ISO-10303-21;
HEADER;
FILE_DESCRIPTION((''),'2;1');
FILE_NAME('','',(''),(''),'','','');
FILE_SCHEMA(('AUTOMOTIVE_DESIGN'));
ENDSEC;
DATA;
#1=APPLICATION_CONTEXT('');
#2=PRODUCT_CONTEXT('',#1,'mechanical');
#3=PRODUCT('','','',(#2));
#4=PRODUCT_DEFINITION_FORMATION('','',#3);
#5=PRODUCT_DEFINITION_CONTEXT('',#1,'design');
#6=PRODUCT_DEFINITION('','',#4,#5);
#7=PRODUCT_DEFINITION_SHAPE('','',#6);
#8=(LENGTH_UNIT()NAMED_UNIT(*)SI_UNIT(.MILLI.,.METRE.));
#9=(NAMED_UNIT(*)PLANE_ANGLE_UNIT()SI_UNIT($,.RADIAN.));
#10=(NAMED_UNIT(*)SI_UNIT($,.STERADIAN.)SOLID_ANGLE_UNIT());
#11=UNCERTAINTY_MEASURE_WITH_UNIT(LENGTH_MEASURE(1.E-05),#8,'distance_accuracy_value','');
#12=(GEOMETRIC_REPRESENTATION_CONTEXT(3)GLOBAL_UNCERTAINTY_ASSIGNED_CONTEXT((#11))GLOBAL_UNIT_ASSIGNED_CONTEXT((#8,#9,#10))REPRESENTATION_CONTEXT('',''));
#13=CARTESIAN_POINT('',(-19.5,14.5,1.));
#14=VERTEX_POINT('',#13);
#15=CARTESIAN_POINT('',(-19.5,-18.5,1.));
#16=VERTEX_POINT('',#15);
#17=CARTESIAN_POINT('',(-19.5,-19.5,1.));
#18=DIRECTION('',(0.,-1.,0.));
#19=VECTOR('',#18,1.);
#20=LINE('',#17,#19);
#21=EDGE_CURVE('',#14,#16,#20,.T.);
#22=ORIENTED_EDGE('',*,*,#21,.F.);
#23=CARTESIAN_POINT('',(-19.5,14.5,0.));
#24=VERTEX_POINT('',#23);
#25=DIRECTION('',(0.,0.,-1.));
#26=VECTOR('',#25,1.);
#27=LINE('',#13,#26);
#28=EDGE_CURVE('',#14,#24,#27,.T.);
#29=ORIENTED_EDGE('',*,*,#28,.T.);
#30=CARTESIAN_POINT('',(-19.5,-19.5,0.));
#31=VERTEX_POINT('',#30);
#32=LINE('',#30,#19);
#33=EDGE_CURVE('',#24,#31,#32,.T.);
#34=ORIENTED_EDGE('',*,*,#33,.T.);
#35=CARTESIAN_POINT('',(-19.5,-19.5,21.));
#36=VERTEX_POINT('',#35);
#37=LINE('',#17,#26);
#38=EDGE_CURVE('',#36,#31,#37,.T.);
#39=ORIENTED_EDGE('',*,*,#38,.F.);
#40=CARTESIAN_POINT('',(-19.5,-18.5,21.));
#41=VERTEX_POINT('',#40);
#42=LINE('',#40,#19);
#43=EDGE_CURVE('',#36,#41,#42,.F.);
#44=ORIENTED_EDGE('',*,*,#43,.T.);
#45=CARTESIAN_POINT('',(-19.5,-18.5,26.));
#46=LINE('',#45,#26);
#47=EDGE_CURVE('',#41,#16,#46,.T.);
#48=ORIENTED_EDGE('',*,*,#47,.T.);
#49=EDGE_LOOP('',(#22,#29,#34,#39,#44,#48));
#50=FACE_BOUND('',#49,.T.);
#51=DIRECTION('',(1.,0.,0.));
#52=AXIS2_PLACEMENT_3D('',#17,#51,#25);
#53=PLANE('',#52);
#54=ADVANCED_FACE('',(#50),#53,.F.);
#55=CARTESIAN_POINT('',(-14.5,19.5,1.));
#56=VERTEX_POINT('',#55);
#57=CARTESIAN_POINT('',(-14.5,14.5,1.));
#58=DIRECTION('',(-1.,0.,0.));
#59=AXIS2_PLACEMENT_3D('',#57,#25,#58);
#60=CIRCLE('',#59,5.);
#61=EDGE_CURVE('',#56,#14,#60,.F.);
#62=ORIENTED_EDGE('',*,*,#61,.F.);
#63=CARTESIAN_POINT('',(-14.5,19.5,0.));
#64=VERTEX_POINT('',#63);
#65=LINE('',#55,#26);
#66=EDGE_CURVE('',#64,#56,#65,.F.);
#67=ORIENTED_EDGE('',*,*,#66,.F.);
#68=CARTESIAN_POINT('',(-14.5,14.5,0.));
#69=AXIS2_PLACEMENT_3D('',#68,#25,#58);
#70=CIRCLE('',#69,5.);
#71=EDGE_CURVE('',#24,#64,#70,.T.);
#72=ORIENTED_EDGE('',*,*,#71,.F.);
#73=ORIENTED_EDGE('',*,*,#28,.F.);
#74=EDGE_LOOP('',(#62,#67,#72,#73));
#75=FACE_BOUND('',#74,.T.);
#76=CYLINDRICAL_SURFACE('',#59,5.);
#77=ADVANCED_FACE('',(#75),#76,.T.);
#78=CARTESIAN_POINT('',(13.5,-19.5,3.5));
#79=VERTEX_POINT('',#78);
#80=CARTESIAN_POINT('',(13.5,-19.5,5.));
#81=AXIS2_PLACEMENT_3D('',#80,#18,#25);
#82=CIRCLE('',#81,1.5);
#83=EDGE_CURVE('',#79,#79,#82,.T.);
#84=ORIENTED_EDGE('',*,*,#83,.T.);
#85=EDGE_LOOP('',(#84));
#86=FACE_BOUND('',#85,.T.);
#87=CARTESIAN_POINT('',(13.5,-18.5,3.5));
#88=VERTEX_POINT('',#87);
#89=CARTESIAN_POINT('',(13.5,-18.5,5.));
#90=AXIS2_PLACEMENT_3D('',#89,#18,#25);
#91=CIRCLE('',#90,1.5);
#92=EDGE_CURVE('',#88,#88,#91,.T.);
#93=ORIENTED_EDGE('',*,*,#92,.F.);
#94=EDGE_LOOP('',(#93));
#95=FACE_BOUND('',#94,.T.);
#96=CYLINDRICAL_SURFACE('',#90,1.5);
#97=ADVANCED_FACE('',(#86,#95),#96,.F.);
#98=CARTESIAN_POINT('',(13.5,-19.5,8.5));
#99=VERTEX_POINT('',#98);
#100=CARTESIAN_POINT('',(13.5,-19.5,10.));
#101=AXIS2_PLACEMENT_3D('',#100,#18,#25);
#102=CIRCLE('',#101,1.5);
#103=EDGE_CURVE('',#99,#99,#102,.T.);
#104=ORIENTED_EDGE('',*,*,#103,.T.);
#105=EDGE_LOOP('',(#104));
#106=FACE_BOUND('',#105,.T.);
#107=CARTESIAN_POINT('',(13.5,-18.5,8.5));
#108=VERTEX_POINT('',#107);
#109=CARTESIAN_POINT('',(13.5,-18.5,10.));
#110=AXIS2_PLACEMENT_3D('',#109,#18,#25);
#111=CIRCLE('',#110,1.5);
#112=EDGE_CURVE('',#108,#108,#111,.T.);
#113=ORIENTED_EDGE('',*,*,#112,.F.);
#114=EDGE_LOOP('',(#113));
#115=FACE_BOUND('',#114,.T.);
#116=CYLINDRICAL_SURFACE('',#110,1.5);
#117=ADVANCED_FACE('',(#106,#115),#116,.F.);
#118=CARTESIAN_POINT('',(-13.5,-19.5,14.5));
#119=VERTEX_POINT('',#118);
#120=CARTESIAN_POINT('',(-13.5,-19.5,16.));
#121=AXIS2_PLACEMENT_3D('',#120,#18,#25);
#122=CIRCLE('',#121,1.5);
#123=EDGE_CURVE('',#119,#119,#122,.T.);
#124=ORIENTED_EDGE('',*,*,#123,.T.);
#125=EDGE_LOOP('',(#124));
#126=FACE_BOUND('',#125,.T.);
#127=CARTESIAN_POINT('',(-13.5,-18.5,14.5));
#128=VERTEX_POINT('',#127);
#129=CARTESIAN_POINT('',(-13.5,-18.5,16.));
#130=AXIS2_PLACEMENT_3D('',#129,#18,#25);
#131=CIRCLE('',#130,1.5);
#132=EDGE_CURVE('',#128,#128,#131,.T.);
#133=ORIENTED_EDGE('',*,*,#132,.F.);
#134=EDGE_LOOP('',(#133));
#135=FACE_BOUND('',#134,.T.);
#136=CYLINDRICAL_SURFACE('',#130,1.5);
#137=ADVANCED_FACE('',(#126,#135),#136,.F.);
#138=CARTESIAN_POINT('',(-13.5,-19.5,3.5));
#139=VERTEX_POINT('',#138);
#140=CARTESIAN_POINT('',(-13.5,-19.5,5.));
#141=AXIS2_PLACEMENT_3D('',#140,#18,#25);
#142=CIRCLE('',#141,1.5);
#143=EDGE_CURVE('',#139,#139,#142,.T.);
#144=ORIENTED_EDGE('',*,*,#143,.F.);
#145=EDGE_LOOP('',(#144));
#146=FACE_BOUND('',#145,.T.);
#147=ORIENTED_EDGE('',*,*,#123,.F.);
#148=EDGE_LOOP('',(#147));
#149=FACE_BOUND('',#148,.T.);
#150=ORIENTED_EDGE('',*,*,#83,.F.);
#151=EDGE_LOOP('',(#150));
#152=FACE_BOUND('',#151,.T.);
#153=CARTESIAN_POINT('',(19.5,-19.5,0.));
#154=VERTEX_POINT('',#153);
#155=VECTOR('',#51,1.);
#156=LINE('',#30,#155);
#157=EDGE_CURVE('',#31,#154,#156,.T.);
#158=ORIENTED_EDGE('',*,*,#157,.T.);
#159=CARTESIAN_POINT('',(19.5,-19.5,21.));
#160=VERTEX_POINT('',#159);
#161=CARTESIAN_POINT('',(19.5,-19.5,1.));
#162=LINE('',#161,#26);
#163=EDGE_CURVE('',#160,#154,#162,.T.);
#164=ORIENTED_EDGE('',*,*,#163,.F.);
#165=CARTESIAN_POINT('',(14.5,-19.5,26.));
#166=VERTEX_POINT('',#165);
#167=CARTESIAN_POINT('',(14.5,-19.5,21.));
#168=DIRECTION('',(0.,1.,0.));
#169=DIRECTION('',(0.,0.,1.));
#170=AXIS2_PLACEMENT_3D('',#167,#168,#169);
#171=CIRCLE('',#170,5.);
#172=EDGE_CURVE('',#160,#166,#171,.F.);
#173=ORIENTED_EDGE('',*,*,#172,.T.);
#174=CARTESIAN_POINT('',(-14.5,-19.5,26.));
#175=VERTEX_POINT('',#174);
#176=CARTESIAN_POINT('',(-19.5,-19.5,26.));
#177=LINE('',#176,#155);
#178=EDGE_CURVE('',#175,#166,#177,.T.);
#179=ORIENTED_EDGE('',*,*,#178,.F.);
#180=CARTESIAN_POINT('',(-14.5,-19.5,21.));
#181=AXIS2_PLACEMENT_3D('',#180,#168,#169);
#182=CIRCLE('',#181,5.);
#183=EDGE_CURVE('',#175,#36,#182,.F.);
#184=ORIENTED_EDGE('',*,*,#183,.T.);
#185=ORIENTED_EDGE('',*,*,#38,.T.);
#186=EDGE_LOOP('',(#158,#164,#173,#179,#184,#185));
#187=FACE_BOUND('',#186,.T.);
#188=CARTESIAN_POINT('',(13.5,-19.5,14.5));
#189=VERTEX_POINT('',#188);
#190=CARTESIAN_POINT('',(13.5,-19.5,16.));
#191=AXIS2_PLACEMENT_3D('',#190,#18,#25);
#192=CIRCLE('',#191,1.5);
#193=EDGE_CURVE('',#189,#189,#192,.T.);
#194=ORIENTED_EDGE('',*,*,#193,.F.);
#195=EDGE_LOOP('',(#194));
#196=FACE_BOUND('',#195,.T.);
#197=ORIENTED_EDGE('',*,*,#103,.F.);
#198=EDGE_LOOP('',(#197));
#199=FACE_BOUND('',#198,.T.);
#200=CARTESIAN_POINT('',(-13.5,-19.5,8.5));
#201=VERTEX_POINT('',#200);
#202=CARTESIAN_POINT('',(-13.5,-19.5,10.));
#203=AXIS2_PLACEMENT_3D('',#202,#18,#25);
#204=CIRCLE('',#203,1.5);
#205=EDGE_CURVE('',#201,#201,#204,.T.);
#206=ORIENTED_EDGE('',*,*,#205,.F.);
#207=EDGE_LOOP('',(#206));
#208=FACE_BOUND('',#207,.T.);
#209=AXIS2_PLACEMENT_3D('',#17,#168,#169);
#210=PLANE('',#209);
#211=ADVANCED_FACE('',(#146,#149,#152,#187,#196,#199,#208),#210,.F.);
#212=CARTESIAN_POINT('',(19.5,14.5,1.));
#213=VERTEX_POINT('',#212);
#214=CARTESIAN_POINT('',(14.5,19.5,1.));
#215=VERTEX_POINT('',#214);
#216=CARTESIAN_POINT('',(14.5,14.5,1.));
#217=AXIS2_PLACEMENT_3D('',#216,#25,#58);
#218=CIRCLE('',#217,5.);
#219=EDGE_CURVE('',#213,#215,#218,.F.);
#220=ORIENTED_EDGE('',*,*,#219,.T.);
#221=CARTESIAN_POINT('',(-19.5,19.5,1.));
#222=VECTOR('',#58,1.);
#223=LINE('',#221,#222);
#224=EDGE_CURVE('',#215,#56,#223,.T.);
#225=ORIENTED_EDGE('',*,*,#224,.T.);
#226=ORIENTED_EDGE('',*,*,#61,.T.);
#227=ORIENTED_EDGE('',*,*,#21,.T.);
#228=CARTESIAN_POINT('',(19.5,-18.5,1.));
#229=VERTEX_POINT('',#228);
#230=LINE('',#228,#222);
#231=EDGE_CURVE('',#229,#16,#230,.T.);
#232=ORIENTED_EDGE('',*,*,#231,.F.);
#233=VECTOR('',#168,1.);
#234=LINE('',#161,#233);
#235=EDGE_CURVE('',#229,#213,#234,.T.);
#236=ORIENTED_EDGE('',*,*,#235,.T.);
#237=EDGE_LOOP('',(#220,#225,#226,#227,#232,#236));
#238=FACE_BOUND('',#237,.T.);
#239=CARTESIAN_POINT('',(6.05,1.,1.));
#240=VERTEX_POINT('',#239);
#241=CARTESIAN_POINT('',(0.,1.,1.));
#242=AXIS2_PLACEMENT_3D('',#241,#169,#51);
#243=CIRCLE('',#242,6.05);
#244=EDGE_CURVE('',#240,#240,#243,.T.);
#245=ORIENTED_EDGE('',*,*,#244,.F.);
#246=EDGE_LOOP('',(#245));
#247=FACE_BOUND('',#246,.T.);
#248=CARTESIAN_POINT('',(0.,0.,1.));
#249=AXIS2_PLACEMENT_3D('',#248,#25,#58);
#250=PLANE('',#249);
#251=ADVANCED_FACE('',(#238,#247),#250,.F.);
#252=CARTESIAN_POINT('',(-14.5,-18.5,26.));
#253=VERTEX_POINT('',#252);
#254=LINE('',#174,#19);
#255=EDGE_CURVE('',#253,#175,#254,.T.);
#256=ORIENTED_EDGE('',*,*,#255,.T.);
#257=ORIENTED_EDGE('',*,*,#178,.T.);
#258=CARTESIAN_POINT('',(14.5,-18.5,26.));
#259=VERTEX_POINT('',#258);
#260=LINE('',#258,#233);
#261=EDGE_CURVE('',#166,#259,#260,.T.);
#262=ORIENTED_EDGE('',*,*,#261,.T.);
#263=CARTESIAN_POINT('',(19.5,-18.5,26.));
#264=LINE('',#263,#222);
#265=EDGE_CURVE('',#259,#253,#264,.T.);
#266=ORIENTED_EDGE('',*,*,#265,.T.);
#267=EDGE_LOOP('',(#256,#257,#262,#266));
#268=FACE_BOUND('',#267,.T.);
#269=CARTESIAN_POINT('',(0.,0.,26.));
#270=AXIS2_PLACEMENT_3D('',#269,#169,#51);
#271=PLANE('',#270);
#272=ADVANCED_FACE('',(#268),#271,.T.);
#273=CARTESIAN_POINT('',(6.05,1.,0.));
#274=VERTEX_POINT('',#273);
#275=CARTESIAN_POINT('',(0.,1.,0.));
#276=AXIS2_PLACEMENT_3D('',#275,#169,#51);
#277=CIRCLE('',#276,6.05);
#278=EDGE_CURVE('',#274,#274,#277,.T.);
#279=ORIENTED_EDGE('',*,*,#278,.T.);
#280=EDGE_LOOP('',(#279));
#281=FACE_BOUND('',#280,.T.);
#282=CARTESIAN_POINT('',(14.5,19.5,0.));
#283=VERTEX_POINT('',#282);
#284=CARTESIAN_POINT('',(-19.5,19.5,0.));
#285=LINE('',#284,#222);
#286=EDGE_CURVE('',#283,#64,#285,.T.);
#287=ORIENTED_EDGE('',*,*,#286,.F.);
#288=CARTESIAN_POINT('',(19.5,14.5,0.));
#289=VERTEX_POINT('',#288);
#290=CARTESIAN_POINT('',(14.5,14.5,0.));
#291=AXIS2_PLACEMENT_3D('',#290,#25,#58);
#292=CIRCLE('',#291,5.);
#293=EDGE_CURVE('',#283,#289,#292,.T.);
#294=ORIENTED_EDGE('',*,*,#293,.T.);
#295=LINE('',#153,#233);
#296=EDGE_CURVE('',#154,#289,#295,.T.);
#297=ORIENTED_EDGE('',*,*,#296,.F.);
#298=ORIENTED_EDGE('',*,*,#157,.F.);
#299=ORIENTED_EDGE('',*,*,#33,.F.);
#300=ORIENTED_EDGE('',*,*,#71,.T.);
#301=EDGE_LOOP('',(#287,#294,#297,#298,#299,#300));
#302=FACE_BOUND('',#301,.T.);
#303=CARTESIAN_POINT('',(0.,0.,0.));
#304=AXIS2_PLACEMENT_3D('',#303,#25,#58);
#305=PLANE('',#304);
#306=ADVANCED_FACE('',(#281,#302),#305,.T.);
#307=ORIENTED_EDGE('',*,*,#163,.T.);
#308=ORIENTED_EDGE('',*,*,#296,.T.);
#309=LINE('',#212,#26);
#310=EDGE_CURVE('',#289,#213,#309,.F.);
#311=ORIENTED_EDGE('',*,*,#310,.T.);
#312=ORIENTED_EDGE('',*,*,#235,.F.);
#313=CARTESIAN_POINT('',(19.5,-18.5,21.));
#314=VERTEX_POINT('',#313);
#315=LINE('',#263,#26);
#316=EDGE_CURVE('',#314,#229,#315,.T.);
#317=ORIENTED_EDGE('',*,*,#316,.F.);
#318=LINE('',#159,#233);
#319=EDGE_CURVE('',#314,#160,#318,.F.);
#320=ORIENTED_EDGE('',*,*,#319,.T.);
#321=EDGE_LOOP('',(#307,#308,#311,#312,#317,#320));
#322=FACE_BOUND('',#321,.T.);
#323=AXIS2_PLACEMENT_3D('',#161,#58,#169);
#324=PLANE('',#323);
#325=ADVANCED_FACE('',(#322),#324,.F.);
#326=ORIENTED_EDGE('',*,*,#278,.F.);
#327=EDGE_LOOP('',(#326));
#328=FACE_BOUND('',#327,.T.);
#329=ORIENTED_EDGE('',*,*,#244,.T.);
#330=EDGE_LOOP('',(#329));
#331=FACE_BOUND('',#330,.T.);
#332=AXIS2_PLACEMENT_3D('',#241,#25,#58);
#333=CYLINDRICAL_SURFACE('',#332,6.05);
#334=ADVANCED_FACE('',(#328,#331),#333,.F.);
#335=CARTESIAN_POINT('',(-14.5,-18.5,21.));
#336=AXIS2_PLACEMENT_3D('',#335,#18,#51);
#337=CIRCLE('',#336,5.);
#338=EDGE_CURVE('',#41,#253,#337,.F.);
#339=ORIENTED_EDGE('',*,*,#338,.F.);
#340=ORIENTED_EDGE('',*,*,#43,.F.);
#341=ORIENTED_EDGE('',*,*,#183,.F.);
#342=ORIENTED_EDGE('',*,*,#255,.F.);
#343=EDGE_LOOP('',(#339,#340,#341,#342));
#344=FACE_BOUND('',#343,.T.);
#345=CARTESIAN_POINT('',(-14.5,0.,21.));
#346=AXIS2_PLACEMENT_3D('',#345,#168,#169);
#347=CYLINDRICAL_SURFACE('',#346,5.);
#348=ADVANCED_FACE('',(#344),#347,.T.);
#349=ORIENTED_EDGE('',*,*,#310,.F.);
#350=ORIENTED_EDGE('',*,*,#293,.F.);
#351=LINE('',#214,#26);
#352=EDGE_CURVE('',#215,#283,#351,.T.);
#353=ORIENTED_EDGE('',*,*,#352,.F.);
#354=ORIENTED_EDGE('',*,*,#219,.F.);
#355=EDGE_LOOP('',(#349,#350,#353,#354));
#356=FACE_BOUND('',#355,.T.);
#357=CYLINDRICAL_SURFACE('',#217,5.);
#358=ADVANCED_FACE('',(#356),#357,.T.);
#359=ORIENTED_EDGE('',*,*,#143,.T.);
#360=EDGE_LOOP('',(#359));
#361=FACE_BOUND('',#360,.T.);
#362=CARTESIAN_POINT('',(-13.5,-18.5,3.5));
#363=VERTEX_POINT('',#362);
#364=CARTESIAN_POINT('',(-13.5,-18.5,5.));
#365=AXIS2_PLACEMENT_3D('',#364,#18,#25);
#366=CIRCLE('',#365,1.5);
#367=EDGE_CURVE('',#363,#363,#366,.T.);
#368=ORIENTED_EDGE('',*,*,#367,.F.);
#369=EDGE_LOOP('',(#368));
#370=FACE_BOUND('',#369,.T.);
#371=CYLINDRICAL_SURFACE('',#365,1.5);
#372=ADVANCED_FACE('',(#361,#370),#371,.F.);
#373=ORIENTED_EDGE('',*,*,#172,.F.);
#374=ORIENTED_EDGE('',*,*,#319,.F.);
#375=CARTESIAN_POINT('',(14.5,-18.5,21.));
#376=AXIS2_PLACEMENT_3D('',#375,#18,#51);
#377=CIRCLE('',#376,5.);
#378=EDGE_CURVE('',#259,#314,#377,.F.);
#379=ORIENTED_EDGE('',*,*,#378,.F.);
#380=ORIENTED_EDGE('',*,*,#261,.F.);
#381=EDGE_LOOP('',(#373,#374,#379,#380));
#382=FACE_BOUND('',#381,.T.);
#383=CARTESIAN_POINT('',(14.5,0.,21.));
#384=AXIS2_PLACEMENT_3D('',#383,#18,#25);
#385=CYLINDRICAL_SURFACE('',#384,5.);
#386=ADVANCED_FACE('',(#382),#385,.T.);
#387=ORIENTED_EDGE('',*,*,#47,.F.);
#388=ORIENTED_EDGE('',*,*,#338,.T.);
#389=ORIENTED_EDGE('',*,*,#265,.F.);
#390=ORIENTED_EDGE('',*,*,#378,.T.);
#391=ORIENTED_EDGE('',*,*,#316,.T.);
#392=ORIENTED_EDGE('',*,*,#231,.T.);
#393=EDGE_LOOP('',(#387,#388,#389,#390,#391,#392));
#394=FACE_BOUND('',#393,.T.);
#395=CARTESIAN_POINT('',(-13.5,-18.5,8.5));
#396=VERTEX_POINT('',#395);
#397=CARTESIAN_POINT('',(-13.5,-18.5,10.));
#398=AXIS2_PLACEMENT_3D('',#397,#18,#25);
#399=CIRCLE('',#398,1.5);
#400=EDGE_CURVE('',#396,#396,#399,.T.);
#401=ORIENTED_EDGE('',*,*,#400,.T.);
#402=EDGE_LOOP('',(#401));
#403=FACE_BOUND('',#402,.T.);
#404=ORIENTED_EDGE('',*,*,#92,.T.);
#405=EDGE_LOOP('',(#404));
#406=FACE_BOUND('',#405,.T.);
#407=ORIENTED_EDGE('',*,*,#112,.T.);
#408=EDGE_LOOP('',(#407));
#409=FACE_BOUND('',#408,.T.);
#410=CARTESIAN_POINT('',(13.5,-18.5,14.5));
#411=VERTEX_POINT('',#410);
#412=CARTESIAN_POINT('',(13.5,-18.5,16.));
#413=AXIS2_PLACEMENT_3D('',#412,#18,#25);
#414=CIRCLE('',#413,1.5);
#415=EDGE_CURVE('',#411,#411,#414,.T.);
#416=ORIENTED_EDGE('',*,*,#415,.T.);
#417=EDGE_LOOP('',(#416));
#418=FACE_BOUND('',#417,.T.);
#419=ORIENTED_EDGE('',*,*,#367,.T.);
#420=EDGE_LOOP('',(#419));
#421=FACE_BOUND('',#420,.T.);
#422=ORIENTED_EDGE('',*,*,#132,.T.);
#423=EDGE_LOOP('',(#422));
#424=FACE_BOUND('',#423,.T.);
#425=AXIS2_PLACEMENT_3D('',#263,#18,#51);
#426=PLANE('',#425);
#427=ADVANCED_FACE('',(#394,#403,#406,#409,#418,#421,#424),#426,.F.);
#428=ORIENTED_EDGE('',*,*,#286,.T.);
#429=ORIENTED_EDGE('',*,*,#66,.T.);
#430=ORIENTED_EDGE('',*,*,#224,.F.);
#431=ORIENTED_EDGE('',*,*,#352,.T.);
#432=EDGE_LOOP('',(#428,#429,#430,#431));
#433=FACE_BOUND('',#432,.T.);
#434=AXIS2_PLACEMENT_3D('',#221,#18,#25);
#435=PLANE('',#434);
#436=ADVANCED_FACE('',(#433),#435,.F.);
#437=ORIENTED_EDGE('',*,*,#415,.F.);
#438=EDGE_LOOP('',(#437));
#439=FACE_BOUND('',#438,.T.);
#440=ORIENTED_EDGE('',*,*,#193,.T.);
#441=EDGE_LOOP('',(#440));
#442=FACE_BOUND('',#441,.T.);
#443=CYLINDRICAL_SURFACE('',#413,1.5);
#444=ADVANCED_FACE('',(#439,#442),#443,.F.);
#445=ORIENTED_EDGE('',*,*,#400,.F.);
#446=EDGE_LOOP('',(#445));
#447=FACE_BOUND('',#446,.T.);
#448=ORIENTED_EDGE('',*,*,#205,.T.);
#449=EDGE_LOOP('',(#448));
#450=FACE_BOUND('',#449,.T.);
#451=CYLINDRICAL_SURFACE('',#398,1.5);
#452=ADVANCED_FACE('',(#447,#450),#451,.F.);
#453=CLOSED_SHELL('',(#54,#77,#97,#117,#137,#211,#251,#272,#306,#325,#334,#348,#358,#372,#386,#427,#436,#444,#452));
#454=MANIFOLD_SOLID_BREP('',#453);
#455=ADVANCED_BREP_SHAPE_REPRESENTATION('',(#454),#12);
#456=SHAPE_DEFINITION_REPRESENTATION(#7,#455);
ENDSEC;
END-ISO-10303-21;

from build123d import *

# Parameters (mm, degrees)
SKETCH1_W           = 39
SKETCH1_H           = 39
BOSS_EXTRUDE1_DEPTH = 1
SKETCH2_W           = 39
SKETCH2_H           = 1
BOSS_EXTRUDE2_DEPTH = 25
SKETCH5_R           = 1.5
CUT_EXTRUDE2_DEPTH  = 1
SKETCH6_R           = 1.5
CUT_EXTRUDE3_DEPTH  = 1
FILLET1_R           = 5
SKETCH7_R           = 6.05
CUT_EXTRUDE4_DEPTH  = 1


with BuildPart() as part:
    # Sketch1 → Boss-Extrude1 (new body)
    with BuildSketch(Plane.XY):
        Rectangle(SKETCH1_W, SKETCH1_H)
    extrude(amount=BOSS_EXTRUDE1_DEPTH)

    # Sketch2 → Boss-Extrude2 (add)
    with BuildSketch(Plane.XY.offset(1)):
        with Locations((0, -19)):
            Rectangle(SKETCH2_W, SKETCH2_H)
    extrude(amount=BOSS_EXTRUDE2_DEPTH)

    # Sketch5 → Cut-Extrude2 (cut)
    with BuildSketch(Plane.XZ.offset(19.5)):
        with Locations(Location((13.5, 5, 0), (0, 0, 270))):
            Circle(SKETCH5_R)
        with Locations(Location((13.5, 10, 0), (0, 0, 270))):
            Circle(SKETCH5_R)
        with Locations(Location((13.5, 16, 0), (0, 0, 270))):
            Circle(SKETCH5_R)
    extrude(amount=-CUT_EXTRUDE2_DEPTH, mode=Mode.SUBTRACT)

    # Sketch6 → Cut-Extrude3 (cut)
    with BuildSketch(Plane.XZ.offset(19.5)):
        with Locations(Location((-13.5, 16, 0), (0, 0, 270))):
            Circle(SKETCH6_R)
        with Locations(Location((-13.5, 10, 0), (0, 0, 270))):
            Circle(SKETCH6_R)
        with Locations(Location((-13.5, 5, 0), (0, 0, 270))):
            Circle(SKETCH6_R)
    extrude(amount=-CUT_EXTRUDE3_DEPTH, mode=Mode.SUBTRACT)

    # Fillet1
    fillet1_edges = [part.edges().sort_by_distance(p)[0] for p in [
        (-19.5, -19, 26),
        (19.5, -19, 26),
        (-19.5, 19.5, 0.5),
        (19.5, 19.5, 0.5),
    ]]
    fillet(fillet1_edges, radius=FILLET1_R)

    # Sketch7 → Cut-Extrude4 (cut)
    with BuildSketch(Plane.XY):
        with Locations((0, 1)):
            Circle(SKETCH7_R)
    extrude(amount=CUT_EXTRUDE4_DEPTH, mode=Mode.SUBTRACT)


solid = part.part
